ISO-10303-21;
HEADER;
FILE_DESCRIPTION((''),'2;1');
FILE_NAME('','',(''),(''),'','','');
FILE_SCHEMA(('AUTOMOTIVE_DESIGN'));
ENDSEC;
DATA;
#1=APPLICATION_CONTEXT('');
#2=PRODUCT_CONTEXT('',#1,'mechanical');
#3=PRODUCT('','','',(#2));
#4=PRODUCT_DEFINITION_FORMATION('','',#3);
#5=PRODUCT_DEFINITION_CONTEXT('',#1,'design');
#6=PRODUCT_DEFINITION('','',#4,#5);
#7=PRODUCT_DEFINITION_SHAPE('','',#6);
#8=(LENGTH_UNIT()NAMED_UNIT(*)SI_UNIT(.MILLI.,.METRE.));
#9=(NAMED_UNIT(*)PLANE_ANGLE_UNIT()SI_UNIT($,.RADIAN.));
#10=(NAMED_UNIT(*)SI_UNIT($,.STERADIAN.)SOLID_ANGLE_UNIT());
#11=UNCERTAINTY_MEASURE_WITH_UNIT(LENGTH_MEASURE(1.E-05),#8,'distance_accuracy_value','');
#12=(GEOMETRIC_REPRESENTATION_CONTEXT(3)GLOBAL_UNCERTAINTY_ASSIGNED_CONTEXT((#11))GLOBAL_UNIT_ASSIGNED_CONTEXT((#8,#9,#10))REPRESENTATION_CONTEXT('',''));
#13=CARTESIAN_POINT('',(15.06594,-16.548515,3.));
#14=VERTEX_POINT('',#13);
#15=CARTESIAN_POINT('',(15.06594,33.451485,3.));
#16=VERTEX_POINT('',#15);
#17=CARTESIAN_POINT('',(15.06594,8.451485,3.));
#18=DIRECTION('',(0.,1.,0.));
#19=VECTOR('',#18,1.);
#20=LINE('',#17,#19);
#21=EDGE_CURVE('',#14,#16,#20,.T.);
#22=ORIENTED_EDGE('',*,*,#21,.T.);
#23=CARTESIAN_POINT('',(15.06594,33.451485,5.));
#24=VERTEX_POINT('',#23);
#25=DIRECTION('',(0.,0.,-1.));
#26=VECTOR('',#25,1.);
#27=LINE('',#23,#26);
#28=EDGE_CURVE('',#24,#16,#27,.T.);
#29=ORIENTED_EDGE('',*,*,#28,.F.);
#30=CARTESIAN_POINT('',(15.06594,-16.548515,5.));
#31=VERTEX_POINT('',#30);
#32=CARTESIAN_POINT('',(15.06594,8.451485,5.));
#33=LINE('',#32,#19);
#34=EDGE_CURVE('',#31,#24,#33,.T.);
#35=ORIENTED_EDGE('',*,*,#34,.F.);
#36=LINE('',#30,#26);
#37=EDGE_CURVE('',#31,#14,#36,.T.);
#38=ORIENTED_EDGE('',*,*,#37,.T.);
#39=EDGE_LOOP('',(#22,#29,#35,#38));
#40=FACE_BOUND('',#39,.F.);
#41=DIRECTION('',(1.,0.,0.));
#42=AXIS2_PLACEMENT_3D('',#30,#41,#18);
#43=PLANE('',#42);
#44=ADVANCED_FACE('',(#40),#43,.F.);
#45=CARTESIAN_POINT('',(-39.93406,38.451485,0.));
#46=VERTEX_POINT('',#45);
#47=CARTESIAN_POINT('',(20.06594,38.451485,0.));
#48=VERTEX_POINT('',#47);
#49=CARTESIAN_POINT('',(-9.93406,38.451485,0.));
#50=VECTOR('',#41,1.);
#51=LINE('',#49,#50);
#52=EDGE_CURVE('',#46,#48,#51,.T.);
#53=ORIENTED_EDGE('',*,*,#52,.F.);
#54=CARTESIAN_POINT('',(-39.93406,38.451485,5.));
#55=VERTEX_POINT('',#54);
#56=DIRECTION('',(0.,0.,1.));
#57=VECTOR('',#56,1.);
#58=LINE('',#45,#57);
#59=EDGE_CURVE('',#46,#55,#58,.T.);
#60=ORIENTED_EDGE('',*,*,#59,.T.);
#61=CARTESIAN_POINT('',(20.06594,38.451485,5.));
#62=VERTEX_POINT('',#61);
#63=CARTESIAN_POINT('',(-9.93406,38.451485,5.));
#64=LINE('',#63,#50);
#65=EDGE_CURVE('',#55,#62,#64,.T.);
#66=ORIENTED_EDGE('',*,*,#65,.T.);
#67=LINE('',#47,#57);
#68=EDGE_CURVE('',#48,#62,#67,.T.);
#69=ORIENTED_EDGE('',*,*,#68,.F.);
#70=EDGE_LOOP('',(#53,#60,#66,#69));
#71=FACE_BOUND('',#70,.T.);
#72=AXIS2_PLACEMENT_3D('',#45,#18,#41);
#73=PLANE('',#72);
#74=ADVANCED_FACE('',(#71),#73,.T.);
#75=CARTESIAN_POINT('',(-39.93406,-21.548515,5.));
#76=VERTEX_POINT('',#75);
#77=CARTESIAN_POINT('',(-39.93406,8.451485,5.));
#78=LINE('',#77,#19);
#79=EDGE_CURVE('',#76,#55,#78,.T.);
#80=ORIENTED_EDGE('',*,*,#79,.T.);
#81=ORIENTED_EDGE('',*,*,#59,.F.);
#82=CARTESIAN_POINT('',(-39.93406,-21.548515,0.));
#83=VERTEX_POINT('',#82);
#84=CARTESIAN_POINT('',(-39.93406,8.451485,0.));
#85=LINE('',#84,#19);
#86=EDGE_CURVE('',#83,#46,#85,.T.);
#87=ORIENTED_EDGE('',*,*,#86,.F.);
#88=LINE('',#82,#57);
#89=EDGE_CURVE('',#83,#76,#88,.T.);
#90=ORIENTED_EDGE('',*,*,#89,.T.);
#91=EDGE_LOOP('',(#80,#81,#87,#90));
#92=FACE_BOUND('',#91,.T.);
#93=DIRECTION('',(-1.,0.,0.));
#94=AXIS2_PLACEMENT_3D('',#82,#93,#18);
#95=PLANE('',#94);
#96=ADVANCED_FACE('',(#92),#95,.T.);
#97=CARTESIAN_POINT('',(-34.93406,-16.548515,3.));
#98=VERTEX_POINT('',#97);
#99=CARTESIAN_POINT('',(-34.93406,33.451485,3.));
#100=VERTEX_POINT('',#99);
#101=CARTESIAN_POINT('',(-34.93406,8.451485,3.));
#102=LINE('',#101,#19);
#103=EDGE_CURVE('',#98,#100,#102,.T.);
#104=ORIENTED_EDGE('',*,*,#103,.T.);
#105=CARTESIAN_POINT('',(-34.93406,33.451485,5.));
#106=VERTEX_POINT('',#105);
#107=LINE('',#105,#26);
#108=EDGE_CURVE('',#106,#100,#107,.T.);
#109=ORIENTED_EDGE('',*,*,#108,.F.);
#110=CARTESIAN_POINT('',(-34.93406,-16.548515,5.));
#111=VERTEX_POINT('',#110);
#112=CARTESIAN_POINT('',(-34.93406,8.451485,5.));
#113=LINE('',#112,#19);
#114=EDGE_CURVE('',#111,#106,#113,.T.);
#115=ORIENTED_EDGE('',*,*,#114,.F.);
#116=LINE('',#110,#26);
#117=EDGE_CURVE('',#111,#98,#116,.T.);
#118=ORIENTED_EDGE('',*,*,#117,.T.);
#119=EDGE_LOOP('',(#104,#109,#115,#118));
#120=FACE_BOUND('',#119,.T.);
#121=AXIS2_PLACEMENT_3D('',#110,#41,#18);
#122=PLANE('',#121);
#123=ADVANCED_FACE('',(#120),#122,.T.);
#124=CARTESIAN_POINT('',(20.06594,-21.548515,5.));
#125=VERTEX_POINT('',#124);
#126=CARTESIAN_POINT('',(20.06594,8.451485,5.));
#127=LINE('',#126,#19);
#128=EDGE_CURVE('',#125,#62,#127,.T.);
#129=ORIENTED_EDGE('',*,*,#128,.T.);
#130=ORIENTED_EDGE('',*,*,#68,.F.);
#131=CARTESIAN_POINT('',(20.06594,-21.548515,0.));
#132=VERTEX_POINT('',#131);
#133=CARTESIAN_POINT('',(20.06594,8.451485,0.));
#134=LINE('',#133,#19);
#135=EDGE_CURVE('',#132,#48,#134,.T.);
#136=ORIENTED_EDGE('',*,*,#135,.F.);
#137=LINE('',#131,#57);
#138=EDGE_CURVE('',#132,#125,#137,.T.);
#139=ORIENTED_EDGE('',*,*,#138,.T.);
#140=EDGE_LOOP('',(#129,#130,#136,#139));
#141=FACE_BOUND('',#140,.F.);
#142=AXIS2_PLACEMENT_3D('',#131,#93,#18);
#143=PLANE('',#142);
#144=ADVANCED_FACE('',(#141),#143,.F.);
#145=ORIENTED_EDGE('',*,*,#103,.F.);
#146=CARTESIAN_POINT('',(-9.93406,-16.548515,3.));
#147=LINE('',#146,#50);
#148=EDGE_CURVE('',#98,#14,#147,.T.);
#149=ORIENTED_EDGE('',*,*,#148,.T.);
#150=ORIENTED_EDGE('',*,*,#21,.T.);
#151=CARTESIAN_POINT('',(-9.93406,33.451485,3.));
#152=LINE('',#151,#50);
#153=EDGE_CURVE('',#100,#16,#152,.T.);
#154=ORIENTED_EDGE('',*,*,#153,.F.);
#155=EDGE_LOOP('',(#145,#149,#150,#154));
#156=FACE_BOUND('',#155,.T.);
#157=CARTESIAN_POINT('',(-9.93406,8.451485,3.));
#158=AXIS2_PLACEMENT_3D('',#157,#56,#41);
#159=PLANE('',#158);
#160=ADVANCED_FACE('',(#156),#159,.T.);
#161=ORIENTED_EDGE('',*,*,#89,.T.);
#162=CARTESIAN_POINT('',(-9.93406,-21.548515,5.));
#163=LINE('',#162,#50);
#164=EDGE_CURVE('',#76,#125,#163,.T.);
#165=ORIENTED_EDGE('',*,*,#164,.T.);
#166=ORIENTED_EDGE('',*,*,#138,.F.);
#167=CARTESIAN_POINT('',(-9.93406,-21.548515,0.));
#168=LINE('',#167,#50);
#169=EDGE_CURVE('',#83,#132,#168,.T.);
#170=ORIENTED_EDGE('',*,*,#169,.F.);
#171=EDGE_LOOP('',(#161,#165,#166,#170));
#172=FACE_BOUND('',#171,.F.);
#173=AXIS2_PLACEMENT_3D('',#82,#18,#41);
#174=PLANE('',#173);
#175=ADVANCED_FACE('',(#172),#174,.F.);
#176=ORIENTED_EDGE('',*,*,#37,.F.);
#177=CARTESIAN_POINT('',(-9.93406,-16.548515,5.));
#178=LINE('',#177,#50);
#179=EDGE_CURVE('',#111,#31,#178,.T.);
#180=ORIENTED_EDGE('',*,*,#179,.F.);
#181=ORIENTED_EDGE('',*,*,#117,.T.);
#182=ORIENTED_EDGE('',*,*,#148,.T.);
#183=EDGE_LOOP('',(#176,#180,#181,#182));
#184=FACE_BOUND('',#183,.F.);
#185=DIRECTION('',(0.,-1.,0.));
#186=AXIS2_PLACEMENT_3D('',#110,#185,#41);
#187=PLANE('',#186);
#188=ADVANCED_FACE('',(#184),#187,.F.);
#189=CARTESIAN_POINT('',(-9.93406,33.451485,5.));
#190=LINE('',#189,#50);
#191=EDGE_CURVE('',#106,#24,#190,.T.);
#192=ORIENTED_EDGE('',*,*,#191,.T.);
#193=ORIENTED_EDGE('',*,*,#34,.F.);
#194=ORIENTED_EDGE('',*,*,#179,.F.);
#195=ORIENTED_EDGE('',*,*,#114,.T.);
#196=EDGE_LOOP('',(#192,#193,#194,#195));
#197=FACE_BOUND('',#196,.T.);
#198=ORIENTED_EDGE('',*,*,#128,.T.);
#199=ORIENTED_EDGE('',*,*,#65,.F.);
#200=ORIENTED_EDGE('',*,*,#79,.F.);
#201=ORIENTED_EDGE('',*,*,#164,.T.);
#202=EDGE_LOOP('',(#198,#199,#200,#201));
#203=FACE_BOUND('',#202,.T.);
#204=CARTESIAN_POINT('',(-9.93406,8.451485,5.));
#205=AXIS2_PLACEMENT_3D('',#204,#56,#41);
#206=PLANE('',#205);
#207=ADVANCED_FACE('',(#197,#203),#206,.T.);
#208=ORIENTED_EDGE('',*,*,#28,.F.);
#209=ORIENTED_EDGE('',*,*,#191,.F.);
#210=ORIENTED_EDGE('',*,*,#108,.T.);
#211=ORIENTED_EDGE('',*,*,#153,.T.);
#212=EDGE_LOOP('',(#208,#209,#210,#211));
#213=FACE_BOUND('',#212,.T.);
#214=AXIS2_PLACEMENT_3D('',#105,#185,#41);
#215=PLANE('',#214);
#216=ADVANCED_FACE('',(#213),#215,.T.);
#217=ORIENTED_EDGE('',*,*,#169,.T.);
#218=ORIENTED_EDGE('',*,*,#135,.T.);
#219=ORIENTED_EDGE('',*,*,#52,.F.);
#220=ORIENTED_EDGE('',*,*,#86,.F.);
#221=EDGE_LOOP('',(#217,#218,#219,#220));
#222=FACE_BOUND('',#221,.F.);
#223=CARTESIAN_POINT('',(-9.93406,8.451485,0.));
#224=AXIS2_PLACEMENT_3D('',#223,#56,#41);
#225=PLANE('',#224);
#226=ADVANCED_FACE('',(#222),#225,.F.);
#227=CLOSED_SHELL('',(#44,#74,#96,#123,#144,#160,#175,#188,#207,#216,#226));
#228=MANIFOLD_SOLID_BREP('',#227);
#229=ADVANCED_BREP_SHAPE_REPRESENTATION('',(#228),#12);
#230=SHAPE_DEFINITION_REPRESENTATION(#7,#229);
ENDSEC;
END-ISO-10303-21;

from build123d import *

# Parameters (mm, degrees)
SKETCH_W     = 60
SKETCH_H     = 60
PAD_DEPTH    = 5
SKETCH001_W  = 50
SKETCH001_H  = 50
POCKET_DEPTH = 2


with BuildPart() as part:
    # Sketch → Pad (new body)
    with BuildSketch(Plane.XY):
        with Locations((-9.93406, 8.451485)):
            Rectangle(SKETCH_W, SKETCH_H)
    extrude(amount=PAD_DEPTH)

    # Sketch001 (on Face6 of Pad) → Pocket (cut)
    with BuildSketch(Plane.XY.offset(5)):
        with Locations((-9.93406, 8.451485)):
            Rectangle(SKETCH001_W, SKETCH001_H)
    extrude(amount=-POCKET_DEPTH, mode=Mode.SUBTRACT)


solid = part.part
